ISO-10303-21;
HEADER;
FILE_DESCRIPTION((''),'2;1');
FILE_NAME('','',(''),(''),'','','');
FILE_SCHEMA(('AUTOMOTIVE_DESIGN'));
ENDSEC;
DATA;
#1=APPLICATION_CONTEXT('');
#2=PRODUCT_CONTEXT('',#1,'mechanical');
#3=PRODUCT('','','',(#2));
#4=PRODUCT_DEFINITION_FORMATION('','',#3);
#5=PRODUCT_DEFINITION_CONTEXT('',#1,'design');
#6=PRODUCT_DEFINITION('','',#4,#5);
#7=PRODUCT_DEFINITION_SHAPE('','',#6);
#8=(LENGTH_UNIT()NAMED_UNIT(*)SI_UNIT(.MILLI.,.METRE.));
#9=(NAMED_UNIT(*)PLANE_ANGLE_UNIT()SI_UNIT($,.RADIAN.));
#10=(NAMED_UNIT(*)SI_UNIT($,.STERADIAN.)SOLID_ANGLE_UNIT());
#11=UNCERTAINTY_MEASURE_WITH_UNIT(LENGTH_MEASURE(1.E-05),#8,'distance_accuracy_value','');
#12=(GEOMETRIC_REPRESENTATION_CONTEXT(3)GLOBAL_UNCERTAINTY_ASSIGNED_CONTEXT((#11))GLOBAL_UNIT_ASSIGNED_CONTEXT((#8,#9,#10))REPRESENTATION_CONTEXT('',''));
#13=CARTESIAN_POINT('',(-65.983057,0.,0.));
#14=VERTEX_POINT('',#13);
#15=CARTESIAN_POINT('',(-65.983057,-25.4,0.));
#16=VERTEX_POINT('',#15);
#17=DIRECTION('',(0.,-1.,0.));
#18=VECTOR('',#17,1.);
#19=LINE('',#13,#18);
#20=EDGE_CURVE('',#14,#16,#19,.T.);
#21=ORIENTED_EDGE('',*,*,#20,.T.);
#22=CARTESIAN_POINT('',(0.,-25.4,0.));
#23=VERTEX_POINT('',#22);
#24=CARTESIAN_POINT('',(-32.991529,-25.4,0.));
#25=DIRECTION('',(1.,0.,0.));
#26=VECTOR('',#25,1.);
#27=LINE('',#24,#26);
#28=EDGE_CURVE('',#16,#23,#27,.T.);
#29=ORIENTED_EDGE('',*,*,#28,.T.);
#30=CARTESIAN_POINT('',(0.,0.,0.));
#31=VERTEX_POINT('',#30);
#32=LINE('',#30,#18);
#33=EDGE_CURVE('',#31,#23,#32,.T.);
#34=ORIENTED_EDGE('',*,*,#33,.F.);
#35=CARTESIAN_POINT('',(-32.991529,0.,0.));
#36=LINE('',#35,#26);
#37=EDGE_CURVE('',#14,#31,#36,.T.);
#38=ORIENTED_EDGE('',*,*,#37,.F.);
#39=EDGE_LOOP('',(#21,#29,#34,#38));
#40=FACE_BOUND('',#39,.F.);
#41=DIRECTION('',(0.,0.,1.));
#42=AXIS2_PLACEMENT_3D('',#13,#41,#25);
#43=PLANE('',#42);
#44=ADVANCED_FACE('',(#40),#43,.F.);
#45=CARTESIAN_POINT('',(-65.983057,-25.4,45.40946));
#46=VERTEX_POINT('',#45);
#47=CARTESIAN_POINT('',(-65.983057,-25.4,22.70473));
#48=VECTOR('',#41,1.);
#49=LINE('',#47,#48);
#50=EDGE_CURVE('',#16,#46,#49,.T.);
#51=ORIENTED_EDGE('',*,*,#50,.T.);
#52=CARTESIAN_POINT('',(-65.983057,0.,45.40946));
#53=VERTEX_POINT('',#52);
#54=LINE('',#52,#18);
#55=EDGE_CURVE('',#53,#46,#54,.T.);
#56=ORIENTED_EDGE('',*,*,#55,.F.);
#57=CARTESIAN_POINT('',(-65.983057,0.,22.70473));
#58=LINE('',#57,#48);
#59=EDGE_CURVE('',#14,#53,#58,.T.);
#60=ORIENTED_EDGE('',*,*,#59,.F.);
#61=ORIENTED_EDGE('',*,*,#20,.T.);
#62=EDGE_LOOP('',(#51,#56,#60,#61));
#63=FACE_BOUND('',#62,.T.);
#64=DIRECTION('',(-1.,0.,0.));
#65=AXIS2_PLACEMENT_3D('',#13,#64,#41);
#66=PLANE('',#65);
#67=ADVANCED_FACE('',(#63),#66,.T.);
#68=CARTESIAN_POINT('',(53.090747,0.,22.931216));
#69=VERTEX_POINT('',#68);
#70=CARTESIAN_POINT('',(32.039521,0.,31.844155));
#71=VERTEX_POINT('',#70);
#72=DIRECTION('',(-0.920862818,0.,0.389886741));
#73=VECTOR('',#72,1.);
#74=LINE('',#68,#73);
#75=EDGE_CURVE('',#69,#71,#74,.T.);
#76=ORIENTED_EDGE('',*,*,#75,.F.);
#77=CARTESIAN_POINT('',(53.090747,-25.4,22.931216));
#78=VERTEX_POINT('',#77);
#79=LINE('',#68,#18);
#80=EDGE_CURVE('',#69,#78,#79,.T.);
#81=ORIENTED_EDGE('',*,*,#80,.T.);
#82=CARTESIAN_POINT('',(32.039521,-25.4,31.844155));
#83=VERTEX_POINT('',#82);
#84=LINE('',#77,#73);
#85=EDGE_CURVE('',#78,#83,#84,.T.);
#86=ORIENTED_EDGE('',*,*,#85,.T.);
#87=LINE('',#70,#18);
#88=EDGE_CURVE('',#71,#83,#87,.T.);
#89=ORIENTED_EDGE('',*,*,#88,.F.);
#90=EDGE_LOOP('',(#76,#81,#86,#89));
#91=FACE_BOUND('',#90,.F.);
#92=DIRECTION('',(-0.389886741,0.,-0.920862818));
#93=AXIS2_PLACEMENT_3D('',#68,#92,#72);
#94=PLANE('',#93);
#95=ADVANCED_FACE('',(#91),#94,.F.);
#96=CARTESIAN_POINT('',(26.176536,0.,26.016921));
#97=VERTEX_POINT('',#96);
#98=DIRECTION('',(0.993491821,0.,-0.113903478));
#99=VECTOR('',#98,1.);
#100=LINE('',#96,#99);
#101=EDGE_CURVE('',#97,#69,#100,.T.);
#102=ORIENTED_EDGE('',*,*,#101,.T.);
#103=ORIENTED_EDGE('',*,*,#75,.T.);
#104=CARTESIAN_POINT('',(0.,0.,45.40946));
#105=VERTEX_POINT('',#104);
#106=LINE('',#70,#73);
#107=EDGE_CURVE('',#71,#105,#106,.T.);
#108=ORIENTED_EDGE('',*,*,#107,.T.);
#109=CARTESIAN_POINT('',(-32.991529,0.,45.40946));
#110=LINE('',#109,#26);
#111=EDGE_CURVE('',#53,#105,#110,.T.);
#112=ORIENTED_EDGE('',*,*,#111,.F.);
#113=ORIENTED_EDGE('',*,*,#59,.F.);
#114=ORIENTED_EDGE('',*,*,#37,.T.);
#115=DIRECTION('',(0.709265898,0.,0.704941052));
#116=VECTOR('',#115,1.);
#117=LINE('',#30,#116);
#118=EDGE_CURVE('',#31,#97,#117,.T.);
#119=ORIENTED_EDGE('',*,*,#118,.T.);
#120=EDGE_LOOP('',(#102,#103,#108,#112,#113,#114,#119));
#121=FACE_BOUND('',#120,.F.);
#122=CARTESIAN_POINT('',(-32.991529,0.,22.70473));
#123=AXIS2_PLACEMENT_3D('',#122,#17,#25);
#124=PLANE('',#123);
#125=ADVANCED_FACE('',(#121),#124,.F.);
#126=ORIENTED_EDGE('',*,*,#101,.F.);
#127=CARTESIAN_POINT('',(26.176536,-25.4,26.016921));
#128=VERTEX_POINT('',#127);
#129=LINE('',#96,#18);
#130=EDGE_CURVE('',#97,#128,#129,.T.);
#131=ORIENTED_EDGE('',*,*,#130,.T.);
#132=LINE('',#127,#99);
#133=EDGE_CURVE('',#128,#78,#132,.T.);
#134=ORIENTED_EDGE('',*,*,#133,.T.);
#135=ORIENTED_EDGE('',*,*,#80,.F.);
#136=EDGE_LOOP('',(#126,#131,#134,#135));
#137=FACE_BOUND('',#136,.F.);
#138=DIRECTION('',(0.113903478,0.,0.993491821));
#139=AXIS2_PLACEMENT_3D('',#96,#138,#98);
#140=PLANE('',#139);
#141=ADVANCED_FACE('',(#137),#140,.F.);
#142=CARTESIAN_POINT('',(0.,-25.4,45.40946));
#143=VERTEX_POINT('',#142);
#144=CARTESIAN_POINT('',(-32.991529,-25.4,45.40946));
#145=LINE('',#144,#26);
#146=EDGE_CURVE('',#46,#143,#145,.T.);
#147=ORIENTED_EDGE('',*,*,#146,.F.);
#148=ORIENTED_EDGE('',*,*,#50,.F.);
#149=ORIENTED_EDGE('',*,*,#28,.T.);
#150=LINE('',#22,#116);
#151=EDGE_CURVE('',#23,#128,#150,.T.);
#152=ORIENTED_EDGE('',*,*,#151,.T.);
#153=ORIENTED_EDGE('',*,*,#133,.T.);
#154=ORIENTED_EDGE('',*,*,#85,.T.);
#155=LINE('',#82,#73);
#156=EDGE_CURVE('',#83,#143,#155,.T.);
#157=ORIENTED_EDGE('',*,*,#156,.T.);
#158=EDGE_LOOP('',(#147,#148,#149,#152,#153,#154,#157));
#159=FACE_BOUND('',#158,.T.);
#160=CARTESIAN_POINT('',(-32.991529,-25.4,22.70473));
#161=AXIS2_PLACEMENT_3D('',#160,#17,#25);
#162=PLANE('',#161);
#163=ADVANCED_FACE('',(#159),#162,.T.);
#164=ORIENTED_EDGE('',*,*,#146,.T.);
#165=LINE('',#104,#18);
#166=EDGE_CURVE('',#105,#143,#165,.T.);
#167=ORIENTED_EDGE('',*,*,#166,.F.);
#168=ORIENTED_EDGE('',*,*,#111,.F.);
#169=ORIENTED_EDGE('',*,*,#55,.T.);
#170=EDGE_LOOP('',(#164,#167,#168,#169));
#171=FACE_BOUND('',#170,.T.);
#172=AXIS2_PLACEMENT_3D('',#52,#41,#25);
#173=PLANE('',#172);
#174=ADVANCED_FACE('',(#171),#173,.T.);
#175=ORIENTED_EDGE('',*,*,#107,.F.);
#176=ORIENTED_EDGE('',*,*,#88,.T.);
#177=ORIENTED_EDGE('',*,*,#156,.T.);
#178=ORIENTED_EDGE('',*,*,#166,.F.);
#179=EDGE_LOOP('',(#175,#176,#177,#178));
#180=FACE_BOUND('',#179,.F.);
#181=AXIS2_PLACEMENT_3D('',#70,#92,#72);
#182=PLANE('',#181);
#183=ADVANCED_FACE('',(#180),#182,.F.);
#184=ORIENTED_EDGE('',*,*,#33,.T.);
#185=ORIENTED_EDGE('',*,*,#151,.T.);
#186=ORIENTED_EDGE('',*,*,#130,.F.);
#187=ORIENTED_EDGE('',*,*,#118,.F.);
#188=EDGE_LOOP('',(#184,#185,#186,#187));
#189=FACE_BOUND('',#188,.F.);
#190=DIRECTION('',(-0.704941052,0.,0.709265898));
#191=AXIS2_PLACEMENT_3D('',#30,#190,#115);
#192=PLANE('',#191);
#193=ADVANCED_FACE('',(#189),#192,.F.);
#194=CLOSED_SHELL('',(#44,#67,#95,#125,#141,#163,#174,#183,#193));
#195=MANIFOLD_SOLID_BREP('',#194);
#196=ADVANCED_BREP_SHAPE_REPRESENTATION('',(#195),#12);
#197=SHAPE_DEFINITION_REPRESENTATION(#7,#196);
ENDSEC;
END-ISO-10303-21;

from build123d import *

# Parameters (mm, degrees)
F0_W     = 65.9830570221
F0_H     = 45.4094596207
F1_DEPTH = 25.4


with BuildPart() as f1:
    # F0 (on Front) → F1 (new body)
    with BuildSketch(Plane.XZ):
        with Locations((-32.991528511, 22.7047298104)):
            Rectangle(F0_W, F0_H)
        Polygon((0, 45.4094596207), (0, 0), (26.1765359093, 26.0169209072), (32.039520707, 31.8441553545), align=None)
        Polygon((32.039520707, 31.8441553545), (26.1765359093, 26.0169209072), (53.0907474458, 22.9312162846), align=None)
    extrude(amount=F1_DEPTH)


solid = f1.part
